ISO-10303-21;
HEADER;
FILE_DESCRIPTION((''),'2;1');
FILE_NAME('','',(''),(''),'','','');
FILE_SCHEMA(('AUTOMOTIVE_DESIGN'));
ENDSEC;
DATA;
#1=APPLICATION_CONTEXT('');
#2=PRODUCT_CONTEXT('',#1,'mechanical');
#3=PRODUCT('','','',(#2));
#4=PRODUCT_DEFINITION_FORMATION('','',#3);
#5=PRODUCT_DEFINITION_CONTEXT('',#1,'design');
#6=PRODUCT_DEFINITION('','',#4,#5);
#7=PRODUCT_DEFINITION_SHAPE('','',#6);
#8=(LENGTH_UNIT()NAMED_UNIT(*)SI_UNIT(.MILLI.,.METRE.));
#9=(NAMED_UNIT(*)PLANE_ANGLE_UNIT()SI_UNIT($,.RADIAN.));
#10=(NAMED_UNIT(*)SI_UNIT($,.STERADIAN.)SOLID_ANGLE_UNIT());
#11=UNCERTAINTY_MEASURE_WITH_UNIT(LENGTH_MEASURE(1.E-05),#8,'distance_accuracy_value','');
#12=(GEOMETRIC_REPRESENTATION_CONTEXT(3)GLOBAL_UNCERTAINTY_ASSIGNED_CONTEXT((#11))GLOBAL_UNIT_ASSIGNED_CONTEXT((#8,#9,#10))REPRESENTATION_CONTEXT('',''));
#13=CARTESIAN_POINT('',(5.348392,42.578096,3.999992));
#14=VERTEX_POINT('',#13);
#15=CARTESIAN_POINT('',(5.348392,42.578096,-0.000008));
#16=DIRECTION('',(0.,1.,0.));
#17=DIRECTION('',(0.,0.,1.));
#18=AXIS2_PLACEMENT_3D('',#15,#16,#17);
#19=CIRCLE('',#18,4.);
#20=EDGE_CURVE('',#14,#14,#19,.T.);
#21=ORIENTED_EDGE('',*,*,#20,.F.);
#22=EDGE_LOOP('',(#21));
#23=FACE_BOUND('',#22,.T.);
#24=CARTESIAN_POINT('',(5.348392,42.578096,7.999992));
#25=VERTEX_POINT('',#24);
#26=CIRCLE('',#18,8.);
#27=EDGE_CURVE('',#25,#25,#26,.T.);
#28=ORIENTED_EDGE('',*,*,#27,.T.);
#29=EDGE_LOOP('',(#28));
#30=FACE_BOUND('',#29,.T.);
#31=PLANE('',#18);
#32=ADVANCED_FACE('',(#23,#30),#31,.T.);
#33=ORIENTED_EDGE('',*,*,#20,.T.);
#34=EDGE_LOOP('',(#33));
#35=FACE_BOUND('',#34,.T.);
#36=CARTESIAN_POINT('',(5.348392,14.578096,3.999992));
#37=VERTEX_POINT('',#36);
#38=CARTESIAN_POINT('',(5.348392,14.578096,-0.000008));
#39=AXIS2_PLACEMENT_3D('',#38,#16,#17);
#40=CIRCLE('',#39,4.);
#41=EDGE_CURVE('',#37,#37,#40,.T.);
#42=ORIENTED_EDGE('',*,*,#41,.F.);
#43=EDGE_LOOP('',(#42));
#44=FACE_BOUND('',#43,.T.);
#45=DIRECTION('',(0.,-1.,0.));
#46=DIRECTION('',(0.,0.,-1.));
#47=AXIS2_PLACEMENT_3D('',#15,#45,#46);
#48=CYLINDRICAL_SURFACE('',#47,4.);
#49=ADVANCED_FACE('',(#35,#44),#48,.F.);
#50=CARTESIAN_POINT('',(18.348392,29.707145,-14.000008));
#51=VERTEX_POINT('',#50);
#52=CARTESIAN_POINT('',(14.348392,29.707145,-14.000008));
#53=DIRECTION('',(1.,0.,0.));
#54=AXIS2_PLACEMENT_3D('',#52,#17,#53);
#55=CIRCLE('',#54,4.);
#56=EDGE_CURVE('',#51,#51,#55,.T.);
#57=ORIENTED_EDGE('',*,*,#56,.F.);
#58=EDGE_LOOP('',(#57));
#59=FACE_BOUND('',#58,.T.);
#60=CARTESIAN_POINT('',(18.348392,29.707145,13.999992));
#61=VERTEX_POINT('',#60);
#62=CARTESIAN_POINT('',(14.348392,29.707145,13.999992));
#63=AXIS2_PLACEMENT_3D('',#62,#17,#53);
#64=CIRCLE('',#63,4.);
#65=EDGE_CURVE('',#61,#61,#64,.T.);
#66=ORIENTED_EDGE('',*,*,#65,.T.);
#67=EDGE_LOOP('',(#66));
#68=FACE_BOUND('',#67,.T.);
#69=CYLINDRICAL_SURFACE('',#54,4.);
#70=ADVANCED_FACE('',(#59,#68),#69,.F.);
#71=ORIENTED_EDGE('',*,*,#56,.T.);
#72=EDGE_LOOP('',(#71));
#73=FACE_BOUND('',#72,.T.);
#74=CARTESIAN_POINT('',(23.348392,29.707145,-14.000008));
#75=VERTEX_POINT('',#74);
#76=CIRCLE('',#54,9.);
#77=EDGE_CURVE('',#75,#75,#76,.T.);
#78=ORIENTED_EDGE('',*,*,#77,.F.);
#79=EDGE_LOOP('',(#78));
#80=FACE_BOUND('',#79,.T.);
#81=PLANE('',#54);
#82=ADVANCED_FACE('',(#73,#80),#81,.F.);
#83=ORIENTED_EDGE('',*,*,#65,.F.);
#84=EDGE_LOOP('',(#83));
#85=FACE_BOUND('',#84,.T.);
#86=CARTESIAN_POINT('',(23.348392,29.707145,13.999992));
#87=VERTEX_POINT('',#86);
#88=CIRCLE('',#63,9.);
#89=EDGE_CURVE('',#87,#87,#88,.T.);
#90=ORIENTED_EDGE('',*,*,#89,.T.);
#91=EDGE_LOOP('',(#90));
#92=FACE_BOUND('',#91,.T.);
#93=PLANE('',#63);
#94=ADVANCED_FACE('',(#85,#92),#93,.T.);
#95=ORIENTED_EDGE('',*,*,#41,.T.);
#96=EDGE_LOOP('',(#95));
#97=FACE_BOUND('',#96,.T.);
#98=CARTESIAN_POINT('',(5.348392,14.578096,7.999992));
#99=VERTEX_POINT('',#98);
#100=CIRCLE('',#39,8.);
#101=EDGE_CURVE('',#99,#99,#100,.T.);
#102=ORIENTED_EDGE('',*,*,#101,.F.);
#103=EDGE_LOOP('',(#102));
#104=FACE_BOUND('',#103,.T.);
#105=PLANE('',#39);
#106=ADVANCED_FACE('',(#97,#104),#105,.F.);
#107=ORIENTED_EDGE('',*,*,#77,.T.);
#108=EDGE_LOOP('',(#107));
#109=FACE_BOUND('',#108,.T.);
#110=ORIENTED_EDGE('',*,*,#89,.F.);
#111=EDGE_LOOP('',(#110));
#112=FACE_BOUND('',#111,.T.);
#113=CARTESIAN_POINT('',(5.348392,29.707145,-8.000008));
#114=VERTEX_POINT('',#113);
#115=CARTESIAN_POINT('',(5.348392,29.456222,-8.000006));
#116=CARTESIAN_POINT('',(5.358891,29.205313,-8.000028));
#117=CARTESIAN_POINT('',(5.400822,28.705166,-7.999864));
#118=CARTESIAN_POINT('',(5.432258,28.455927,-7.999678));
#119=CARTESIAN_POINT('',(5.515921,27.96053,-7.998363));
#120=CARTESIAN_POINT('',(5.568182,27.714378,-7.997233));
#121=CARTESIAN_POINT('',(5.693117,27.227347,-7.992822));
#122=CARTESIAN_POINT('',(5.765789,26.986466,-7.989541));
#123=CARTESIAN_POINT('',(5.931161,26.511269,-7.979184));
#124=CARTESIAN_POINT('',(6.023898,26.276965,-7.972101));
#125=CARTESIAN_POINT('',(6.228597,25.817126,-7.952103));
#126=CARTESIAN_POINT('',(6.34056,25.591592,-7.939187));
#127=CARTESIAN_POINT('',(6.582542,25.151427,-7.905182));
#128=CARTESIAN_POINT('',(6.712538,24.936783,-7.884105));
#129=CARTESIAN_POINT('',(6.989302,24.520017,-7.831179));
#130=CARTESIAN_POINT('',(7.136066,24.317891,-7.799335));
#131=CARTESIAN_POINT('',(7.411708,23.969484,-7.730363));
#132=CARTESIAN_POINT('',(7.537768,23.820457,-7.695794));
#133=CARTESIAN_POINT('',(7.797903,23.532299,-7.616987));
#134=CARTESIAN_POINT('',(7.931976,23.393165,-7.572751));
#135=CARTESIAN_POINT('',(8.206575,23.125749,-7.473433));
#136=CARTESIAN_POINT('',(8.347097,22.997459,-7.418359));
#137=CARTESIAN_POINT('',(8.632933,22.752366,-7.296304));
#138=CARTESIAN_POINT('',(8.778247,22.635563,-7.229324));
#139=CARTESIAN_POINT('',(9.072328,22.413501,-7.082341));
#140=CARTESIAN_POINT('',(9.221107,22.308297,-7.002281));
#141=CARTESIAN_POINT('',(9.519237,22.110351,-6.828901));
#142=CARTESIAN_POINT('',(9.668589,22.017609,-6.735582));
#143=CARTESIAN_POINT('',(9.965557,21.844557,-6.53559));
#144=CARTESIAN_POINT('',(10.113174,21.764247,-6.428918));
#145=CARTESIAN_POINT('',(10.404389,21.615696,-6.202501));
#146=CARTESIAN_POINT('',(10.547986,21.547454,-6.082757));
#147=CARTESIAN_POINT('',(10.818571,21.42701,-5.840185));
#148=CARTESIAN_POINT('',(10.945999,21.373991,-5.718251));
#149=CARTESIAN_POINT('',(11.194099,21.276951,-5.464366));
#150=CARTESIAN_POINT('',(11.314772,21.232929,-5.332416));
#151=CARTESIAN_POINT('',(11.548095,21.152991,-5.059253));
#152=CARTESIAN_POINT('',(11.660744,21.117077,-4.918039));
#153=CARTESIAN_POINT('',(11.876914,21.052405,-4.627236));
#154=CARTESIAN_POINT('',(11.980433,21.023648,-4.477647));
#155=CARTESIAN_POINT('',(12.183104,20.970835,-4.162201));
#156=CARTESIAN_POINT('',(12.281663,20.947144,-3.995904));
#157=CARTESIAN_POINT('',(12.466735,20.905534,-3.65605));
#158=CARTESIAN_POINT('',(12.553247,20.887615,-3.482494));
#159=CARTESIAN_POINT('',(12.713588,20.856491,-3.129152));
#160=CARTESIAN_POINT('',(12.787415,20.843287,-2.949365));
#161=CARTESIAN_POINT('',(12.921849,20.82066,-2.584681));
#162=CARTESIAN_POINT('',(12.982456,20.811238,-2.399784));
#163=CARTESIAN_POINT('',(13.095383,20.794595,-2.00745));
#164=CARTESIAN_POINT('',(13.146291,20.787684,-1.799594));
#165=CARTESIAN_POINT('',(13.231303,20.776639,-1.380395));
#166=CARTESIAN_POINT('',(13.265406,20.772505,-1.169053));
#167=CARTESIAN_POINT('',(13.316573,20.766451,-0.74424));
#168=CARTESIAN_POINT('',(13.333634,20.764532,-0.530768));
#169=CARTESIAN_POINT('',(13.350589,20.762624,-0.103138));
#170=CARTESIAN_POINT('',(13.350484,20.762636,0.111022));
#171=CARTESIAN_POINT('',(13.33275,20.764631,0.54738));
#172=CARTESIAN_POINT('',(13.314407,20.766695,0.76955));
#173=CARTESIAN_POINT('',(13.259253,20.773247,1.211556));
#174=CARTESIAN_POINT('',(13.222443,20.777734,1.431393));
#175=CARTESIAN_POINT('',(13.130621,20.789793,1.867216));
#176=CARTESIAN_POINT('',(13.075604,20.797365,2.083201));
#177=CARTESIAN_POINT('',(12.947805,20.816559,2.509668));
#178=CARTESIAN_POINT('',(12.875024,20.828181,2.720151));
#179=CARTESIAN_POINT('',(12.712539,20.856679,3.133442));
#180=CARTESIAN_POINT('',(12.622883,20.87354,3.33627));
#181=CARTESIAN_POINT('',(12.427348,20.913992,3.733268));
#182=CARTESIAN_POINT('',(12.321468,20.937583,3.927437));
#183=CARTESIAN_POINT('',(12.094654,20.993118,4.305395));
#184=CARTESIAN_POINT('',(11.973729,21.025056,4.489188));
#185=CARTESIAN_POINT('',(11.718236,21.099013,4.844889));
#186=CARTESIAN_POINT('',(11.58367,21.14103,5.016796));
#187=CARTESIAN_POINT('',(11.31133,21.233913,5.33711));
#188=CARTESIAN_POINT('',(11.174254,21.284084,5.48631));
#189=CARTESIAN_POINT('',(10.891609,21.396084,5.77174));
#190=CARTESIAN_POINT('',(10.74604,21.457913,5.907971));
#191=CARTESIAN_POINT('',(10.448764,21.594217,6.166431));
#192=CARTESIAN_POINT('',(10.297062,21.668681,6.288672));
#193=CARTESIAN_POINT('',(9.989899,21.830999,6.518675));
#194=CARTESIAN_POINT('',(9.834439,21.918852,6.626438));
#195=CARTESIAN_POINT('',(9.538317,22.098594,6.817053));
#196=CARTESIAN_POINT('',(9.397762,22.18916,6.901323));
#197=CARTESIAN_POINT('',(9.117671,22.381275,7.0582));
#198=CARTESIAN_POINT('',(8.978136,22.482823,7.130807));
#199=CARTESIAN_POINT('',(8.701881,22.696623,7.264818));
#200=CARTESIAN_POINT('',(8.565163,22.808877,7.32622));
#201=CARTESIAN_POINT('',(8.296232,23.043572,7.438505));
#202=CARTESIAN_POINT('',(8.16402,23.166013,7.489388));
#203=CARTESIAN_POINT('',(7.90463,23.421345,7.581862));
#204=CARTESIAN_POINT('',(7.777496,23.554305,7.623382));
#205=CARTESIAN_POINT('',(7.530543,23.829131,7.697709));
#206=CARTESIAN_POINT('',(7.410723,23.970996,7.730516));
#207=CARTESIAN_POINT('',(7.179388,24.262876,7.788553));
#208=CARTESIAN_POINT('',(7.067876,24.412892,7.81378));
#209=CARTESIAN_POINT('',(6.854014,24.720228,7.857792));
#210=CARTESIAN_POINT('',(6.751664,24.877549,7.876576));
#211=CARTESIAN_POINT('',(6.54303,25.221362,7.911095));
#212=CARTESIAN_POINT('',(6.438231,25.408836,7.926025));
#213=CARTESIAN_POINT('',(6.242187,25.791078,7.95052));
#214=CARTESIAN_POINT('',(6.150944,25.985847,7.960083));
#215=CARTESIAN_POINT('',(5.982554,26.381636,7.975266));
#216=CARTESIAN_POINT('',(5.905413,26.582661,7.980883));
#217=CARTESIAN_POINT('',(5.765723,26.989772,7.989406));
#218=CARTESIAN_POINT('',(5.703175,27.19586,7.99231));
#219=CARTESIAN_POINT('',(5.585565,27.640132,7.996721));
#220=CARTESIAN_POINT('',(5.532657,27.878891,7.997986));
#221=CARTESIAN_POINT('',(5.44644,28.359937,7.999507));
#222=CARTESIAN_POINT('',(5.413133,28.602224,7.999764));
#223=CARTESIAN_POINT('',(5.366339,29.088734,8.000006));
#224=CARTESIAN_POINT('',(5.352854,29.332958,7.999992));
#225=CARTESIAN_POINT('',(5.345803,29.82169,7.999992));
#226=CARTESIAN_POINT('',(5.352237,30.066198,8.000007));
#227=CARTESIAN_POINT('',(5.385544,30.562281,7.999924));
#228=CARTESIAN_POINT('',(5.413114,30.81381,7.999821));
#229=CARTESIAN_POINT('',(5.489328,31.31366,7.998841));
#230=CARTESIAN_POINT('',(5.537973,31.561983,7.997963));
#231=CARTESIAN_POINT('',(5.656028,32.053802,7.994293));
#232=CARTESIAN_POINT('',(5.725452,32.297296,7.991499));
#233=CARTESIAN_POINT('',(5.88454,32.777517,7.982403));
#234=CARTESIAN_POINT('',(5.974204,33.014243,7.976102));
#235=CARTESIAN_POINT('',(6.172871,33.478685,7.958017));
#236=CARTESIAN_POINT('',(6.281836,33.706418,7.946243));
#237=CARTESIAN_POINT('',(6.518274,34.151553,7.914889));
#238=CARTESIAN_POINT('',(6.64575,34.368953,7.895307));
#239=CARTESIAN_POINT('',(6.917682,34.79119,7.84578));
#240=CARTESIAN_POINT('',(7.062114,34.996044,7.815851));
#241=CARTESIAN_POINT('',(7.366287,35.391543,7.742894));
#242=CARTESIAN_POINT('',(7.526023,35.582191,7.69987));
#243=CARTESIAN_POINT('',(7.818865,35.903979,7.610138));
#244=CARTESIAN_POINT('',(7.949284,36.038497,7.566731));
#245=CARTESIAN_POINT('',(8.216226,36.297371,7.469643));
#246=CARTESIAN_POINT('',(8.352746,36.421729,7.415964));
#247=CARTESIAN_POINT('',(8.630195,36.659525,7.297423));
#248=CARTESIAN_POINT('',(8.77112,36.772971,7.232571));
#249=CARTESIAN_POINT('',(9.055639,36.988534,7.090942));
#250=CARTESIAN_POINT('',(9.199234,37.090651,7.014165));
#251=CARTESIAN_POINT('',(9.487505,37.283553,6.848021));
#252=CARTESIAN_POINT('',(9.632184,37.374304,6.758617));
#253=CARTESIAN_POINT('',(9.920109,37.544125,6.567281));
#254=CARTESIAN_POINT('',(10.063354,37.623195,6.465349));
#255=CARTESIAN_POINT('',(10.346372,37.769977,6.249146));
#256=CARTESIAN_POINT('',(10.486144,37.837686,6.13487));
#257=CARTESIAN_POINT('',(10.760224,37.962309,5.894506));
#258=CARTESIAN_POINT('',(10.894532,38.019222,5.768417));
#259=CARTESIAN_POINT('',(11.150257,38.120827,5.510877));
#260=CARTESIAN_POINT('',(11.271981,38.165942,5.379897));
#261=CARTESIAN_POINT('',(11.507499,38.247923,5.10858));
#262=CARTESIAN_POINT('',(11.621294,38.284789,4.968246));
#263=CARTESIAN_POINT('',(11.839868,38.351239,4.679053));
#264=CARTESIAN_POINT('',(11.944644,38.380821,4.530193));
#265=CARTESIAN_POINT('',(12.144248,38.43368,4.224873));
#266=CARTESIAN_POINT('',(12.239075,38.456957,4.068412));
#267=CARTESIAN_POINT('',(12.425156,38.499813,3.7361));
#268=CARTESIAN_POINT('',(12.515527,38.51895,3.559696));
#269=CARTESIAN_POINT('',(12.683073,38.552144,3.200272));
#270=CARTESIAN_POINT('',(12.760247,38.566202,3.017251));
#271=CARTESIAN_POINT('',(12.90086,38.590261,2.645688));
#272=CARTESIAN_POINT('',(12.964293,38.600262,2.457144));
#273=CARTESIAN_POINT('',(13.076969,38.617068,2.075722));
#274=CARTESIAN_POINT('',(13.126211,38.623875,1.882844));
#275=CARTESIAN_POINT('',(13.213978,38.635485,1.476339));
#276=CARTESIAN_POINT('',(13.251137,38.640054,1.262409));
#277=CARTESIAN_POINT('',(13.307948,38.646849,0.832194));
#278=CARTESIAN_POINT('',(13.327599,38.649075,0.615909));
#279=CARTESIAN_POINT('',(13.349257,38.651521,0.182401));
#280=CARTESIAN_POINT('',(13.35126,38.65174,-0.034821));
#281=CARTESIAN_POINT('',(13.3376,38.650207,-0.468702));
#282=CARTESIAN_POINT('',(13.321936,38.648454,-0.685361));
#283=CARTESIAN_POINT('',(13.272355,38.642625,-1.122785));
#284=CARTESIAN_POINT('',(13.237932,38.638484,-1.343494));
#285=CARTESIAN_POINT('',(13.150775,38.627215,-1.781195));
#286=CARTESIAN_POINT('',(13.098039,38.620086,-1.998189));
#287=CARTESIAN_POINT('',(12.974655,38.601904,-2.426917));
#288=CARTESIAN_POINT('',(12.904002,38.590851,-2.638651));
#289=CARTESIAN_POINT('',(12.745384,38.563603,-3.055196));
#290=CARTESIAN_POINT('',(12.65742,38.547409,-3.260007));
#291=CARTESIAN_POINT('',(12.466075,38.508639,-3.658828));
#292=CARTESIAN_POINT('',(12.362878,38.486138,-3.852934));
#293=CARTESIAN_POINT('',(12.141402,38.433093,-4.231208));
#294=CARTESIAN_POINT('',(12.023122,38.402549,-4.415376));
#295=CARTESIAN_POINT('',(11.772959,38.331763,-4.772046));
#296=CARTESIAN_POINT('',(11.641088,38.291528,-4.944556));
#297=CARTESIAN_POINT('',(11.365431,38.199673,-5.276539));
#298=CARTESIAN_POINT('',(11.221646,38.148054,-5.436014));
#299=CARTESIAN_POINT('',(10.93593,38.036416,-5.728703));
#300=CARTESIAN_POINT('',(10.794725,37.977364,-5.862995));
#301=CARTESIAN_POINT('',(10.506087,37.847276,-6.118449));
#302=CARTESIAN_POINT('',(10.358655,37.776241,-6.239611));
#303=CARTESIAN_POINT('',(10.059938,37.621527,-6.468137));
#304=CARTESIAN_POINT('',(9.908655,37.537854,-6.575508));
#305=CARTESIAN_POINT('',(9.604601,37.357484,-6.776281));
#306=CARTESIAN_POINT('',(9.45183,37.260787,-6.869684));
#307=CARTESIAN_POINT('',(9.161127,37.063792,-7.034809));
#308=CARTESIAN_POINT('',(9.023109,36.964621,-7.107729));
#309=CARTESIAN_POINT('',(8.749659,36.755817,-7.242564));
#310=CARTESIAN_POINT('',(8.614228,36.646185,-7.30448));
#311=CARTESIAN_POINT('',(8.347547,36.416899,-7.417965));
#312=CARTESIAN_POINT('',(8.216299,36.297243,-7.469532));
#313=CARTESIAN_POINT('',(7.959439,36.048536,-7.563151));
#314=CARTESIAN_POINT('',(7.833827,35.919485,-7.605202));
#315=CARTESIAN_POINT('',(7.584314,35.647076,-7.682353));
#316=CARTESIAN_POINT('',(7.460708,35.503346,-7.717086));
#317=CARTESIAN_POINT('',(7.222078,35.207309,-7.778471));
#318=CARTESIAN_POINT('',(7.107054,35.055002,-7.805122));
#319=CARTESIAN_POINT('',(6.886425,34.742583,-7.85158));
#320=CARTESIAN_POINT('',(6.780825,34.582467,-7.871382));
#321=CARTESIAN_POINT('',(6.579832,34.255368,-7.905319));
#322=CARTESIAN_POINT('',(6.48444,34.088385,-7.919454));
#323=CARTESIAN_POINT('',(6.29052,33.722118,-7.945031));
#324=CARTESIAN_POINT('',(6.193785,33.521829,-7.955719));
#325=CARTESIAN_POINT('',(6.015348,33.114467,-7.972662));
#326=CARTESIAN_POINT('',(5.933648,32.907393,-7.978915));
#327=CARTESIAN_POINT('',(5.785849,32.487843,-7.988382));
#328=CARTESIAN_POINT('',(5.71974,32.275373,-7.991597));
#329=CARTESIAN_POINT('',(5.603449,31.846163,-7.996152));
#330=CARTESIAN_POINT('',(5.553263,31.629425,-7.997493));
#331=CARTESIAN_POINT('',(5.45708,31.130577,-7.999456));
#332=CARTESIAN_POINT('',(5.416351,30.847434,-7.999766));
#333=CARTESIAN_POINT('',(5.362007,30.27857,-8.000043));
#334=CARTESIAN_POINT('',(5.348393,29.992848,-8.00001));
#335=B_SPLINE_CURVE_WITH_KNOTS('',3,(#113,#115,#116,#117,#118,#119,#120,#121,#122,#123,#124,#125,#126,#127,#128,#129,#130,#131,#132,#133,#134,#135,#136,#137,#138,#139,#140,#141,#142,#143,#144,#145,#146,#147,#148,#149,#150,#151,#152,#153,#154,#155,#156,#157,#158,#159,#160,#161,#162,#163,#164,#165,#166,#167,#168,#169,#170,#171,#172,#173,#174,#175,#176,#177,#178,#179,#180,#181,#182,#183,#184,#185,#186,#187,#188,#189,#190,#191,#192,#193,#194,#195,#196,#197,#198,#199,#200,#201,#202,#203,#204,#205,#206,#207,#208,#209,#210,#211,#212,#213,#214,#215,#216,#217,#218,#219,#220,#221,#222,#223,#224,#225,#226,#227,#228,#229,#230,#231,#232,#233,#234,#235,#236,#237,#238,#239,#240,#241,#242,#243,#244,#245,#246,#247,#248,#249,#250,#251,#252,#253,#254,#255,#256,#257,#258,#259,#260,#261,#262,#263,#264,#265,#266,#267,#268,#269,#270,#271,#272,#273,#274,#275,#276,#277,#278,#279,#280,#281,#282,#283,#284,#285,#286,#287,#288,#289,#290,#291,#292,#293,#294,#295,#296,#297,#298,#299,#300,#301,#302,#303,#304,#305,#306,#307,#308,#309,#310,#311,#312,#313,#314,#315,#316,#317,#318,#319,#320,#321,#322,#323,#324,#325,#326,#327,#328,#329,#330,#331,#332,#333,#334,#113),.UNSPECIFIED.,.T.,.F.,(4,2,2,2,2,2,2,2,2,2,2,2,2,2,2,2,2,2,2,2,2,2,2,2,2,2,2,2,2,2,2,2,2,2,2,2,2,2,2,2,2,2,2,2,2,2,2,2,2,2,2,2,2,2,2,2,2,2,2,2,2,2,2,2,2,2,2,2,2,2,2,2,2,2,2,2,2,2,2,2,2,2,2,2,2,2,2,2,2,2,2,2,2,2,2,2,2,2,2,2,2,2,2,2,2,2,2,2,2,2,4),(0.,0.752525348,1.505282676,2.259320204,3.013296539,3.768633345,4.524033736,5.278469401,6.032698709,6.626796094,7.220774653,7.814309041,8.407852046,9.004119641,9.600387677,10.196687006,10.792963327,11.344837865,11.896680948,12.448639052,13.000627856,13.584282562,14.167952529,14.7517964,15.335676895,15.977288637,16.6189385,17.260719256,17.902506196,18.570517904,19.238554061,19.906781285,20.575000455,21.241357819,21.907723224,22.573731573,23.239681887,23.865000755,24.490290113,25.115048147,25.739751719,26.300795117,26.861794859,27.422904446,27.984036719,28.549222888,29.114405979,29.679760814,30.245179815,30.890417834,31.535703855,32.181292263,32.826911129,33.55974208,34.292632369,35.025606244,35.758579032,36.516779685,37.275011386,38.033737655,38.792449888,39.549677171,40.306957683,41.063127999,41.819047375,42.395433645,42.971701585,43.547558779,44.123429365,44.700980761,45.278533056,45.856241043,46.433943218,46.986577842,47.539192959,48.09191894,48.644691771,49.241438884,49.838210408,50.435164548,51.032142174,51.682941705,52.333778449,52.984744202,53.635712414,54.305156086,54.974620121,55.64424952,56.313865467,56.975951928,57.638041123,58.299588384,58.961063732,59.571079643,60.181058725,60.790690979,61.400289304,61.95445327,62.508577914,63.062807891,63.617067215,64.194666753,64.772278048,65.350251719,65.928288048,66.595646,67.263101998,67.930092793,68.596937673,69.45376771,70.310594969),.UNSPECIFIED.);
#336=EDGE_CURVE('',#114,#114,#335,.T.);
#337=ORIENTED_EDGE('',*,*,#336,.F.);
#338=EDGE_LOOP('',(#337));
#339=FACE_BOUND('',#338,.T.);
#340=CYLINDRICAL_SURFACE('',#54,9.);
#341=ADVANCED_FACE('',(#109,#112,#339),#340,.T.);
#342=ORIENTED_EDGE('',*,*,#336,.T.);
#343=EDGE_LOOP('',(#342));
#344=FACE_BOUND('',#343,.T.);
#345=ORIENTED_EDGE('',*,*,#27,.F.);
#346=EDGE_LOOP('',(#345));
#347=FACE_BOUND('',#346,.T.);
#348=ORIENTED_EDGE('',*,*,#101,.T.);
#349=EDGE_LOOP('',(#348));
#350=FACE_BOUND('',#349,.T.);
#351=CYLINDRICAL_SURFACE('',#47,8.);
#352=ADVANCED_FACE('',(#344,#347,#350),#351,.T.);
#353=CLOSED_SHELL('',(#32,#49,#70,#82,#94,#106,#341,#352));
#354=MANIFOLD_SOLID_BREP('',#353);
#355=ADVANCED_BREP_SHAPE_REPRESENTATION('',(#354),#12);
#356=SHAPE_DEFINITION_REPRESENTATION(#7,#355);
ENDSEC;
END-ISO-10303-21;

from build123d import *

# Parameters (mm, degrees)
SKETCH1_R                = 16
SKETCH1_R_2              = 8
BOSS_EXTRUDE1_DEPTH      = 56
BOSS_EXTRUDE2_DEPTH      = 28
BOSS_EXTRUDE2_DEPTH_BACK = 28
SKETCH2_R                = 18
SKETCH2_R_2              = 8
SKETCH3_R                = 8
CUT_EXTRUDE1_DEPTH       = 73.221880507
SKETCH4_R                = 8
CUT_EXTRUDE2_DEPTH       = 87.994252854
ESCALA1_SCALE            = 0.5


with BuildPart() as part:
    # Sketch1 → Boss-Extrude1 (new body)
    with BuildSketch(Plane(origin=(0, 0, 0), x_dir=(1, 0, 0), z_dir=(0, 1, 0))):
        Circle(SKETCH1_R)
        Circle(SKETCH1_R_2, mode=Mode.SUBTRACT)
    extrude(amount=BOSS_EXTRUDE1_DEPTH)

    # Sketch2 → Boss-Extrude2 (add, two sides: drawn at the far end of the back side and taken through both)
    with BuildSketch(Plane.XY.offset(-BOSS_EXTRUDE2_DEPTH_BACK)):
        with Locations((18, 30.258098715)):
            Circle(SKETCH2_R)
        with Locations((18, 30.258098715)):
            Circle(SKETCH2_R_2, mode=Mode.SUBTRACT)
    extrude(amount=BOSS_EXTRUDE2_DEPTH + BOSS_EXTRUDE2_DEPTH_BACK)

    # Sketch3 → Cut-Extrude1 (cut, through all)
    with BuildSketch(Plane(origin=(0, 56, 0), x_dir=(1, 0, 0), z_dir=(0, 1, 0))):
        Circle(SKETCH3_R)
    extrude(amount=-CUT_EXTRUDE1_DEPTH, mode=Mode.SUBTRACT)

    # Sketch4 → Cut-Extrude2 (cut, through all)
    with BuildSketch(Plane.XY.offset(28)):
        with Locations((18, 30.258098715)):
            Circle(SKETCH4_R)
    extrude(amount=-CUT_EXTRUDE2_DEPTH, mode=Mode.SUBTRACT)


with BuildPart() as part_1:
    # Escala1: scaled about (10.696798327, 29.156211429, -1.523e-06)
    add(part.part.scale(ESCALA1_SCALE).moved(Location((5.348399163, 14.578105714, -7.62e-07))))


solid = part_1.part
